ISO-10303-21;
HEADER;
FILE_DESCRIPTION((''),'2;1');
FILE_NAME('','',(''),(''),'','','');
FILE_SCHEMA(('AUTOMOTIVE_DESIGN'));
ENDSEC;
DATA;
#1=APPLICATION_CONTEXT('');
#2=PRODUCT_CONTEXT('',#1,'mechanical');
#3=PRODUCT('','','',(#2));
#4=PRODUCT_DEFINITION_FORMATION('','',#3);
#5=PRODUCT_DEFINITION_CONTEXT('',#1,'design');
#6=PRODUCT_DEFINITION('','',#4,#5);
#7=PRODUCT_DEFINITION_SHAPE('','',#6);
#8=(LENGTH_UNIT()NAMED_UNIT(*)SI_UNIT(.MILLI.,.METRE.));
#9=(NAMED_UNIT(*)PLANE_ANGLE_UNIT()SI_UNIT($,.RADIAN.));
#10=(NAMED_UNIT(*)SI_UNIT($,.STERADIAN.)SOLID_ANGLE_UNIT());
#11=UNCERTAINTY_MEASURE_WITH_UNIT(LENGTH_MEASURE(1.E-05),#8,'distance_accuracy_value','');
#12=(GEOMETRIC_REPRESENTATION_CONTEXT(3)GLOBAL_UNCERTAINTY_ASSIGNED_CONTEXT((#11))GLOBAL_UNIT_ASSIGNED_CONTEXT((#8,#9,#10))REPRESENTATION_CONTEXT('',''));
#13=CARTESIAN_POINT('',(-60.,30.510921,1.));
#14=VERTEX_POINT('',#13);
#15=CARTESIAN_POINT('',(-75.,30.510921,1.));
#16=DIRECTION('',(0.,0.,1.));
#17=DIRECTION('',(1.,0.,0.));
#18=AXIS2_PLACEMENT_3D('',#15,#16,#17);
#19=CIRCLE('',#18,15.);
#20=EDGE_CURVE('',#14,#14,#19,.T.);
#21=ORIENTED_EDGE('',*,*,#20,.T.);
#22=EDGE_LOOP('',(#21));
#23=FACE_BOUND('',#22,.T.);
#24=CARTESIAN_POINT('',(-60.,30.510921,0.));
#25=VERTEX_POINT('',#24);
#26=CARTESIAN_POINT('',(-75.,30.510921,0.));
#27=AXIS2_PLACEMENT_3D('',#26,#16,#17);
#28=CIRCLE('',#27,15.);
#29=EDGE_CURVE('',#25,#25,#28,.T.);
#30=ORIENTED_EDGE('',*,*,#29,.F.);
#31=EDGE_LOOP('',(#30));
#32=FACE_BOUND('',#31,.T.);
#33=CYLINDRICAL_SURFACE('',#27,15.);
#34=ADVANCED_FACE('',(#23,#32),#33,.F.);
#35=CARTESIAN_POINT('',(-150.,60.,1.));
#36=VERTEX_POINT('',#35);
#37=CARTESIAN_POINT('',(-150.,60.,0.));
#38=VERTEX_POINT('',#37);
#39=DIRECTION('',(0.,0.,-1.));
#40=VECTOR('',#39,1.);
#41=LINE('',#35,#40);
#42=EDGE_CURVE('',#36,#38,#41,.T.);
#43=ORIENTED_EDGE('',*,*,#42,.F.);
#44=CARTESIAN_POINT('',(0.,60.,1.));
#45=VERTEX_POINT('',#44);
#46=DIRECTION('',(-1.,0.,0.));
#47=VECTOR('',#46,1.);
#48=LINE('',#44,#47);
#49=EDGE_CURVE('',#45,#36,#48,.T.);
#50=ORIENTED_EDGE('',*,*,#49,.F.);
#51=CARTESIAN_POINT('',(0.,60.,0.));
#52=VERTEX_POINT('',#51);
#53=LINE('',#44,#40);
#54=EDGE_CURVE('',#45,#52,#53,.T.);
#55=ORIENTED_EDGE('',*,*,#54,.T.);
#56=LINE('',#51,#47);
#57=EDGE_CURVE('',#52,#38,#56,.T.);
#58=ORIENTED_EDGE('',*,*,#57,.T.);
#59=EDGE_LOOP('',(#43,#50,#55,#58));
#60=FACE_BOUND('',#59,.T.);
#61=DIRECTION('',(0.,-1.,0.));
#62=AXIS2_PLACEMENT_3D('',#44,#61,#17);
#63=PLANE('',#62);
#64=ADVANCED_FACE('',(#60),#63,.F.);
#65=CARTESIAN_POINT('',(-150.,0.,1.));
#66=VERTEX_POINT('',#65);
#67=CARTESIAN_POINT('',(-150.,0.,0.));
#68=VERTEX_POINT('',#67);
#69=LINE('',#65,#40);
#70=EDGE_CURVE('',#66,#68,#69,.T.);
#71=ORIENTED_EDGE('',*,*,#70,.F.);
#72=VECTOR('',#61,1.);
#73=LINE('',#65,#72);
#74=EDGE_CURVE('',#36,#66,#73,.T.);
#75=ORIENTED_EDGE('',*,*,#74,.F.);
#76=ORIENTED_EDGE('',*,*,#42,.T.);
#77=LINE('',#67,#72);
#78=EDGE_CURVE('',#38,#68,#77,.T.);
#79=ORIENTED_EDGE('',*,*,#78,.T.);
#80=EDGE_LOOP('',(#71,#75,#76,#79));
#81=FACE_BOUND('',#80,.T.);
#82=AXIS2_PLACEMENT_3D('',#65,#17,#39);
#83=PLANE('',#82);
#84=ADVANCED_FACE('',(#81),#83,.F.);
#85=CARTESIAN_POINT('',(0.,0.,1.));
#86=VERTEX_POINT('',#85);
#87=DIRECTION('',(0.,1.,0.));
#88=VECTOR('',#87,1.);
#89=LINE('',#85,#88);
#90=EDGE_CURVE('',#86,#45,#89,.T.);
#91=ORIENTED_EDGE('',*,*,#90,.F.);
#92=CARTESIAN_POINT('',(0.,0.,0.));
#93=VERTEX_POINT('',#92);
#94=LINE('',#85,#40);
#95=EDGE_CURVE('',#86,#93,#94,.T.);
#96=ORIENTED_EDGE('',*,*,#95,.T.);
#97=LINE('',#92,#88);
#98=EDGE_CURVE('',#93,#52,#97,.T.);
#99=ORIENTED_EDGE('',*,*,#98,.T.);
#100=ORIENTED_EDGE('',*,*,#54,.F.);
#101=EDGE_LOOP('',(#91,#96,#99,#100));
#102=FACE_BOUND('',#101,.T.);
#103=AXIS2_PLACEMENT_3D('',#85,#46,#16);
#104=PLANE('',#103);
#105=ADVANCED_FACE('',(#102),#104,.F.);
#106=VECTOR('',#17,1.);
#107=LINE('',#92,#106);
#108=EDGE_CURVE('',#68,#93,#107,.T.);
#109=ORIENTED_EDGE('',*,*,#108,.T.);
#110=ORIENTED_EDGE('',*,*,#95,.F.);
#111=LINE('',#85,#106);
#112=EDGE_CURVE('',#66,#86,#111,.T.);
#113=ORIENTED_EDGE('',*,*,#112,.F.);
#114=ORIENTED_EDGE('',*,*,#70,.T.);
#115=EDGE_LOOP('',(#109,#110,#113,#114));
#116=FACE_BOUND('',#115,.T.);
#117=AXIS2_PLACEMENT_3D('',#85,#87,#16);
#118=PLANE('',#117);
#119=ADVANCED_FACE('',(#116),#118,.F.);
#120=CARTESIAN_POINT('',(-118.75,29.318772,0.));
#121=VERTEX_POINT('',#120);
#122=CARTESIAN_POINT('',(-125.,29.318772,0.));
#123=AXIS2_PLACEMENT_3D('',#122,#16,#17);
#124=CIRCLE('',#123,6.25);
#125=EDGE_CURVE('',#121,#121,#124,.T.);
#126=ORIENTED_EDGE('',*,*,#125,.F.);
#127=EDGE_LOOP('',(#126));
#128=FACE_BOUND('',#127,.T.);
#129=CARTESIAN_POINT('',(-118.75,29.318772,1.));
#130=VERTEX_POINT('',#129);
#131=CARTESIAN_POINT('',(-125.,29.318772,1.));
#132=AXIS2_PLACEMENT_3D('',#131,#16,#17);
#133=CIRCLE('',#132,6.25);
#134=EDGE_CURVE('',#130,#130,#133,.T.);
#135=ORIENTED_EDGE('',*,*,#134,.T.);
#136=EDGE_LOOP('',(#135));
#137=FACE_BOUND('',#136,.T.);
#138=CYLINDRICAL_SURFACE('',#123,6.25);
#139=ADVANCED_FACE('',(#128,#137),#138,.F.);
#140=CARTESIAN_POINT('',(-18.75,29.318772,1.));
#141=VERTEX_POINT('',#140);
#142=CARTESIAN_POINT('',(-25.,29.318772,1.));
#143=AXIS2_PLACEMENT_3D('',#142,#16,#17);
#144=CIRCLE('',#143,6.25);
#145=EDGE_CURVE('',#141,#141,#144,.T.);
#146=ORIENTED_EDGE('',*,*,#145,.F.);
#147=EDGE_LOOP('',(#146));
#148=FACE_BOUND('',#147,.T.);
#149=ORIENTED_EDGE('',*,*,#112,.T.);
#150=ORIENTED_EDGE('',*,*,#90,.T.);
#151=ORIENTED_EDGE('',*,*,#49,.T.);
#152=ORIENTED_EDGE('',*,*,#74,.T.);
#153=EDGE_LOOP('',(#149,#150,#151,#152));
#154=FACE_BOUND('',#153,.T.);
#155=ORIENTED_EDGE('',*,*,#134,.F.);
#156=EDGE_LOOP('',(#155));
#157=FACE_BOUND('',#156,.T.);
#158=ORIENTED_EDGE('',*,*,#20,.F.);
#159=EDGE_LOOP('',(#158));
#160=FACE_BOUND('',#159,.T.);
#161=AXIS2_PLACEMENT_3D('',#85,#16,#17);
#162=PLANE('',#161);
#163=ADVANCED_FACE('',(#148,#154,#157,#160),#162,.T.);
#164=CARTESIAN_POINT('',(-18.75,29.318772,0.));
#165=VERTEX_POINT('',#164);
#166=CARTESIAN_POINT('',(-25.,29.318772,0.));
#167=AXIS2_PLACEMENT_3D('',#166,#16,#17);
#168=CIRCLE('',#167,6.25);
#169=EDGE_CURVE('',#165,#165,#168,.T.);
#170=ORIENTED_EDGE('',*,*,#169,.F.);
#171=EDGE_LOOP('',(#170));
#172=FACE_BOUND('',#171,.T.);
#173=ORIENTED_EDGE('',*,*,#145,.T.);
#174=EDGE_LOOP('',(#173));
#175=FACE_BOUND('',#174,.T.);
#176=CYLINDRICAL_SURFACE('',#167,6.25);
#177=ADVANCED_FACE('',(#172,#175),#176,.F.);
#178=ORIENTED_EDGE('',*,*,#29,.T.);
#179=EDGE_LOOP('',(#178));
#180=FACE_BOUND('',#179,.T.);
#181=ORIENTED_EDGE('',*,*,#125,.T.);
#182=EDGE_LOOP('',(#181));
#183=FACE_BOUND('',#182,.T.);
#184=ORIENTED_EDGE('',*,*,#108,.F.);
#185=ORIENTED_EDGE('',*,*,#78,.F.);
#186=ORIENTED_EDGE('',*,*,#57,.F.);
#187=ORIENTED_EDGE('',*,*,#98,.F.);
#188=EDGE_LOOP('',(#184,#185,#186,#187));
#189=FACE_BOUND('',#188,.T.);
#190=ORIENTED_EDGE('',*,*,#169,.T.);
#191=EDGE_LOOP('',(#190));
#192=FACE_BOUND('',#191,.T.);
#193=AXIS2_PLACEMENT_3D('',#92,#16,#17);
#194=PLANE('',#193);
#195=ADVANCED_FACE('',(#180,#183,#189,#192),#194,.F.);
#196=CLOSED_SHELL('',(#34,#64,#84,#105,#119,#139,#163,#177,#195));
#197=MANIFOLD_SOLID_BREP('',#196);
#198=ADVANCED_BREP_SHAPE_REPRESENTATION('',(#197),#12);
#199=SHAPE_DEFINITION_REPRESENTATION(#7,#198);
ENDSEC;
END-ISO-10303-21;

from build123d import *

# Parameters (mm, degrees)
SKETCH1_W           = 150
SKETCH1_H           = 60
BOSS_EXTRUDE1_DEPTH = 1
SKETCH2_R           = 15
SKETCH2_R_2         = 6.25
CUT_EXTRUDE1_DEPTH  = 162.558039107


with BuildPart() as part:
    # Sketch1 → Boss-Extrude1 (new body)
    with BuildSketch(Plane.XY):
        with Locations((-75, 30)):
            Rectangle(SKETCH1_W, SKETCH1_H)
    extrude(amount=BOSS_EXTRUDE1_DEPTH)

    # Sketch2 → Cut-Extrude1 (cut, through all)
    with BuildSketch(Plane.XY.offset(1)):
        with Locations((-75, 30.510920996)):
            Circle(SKETCH2_R)
        with Locations((-125, 29.318772006)):
            Circle(SKETCH2_R_2)
        with Locations((-25, 29.318772006)):
            Circle(SKETCH2_R_2)
    extrude(amount=-CUT_EXTRUDE1_DEPTH, mode=Mode.SUBTRACT)


solid = part.part
